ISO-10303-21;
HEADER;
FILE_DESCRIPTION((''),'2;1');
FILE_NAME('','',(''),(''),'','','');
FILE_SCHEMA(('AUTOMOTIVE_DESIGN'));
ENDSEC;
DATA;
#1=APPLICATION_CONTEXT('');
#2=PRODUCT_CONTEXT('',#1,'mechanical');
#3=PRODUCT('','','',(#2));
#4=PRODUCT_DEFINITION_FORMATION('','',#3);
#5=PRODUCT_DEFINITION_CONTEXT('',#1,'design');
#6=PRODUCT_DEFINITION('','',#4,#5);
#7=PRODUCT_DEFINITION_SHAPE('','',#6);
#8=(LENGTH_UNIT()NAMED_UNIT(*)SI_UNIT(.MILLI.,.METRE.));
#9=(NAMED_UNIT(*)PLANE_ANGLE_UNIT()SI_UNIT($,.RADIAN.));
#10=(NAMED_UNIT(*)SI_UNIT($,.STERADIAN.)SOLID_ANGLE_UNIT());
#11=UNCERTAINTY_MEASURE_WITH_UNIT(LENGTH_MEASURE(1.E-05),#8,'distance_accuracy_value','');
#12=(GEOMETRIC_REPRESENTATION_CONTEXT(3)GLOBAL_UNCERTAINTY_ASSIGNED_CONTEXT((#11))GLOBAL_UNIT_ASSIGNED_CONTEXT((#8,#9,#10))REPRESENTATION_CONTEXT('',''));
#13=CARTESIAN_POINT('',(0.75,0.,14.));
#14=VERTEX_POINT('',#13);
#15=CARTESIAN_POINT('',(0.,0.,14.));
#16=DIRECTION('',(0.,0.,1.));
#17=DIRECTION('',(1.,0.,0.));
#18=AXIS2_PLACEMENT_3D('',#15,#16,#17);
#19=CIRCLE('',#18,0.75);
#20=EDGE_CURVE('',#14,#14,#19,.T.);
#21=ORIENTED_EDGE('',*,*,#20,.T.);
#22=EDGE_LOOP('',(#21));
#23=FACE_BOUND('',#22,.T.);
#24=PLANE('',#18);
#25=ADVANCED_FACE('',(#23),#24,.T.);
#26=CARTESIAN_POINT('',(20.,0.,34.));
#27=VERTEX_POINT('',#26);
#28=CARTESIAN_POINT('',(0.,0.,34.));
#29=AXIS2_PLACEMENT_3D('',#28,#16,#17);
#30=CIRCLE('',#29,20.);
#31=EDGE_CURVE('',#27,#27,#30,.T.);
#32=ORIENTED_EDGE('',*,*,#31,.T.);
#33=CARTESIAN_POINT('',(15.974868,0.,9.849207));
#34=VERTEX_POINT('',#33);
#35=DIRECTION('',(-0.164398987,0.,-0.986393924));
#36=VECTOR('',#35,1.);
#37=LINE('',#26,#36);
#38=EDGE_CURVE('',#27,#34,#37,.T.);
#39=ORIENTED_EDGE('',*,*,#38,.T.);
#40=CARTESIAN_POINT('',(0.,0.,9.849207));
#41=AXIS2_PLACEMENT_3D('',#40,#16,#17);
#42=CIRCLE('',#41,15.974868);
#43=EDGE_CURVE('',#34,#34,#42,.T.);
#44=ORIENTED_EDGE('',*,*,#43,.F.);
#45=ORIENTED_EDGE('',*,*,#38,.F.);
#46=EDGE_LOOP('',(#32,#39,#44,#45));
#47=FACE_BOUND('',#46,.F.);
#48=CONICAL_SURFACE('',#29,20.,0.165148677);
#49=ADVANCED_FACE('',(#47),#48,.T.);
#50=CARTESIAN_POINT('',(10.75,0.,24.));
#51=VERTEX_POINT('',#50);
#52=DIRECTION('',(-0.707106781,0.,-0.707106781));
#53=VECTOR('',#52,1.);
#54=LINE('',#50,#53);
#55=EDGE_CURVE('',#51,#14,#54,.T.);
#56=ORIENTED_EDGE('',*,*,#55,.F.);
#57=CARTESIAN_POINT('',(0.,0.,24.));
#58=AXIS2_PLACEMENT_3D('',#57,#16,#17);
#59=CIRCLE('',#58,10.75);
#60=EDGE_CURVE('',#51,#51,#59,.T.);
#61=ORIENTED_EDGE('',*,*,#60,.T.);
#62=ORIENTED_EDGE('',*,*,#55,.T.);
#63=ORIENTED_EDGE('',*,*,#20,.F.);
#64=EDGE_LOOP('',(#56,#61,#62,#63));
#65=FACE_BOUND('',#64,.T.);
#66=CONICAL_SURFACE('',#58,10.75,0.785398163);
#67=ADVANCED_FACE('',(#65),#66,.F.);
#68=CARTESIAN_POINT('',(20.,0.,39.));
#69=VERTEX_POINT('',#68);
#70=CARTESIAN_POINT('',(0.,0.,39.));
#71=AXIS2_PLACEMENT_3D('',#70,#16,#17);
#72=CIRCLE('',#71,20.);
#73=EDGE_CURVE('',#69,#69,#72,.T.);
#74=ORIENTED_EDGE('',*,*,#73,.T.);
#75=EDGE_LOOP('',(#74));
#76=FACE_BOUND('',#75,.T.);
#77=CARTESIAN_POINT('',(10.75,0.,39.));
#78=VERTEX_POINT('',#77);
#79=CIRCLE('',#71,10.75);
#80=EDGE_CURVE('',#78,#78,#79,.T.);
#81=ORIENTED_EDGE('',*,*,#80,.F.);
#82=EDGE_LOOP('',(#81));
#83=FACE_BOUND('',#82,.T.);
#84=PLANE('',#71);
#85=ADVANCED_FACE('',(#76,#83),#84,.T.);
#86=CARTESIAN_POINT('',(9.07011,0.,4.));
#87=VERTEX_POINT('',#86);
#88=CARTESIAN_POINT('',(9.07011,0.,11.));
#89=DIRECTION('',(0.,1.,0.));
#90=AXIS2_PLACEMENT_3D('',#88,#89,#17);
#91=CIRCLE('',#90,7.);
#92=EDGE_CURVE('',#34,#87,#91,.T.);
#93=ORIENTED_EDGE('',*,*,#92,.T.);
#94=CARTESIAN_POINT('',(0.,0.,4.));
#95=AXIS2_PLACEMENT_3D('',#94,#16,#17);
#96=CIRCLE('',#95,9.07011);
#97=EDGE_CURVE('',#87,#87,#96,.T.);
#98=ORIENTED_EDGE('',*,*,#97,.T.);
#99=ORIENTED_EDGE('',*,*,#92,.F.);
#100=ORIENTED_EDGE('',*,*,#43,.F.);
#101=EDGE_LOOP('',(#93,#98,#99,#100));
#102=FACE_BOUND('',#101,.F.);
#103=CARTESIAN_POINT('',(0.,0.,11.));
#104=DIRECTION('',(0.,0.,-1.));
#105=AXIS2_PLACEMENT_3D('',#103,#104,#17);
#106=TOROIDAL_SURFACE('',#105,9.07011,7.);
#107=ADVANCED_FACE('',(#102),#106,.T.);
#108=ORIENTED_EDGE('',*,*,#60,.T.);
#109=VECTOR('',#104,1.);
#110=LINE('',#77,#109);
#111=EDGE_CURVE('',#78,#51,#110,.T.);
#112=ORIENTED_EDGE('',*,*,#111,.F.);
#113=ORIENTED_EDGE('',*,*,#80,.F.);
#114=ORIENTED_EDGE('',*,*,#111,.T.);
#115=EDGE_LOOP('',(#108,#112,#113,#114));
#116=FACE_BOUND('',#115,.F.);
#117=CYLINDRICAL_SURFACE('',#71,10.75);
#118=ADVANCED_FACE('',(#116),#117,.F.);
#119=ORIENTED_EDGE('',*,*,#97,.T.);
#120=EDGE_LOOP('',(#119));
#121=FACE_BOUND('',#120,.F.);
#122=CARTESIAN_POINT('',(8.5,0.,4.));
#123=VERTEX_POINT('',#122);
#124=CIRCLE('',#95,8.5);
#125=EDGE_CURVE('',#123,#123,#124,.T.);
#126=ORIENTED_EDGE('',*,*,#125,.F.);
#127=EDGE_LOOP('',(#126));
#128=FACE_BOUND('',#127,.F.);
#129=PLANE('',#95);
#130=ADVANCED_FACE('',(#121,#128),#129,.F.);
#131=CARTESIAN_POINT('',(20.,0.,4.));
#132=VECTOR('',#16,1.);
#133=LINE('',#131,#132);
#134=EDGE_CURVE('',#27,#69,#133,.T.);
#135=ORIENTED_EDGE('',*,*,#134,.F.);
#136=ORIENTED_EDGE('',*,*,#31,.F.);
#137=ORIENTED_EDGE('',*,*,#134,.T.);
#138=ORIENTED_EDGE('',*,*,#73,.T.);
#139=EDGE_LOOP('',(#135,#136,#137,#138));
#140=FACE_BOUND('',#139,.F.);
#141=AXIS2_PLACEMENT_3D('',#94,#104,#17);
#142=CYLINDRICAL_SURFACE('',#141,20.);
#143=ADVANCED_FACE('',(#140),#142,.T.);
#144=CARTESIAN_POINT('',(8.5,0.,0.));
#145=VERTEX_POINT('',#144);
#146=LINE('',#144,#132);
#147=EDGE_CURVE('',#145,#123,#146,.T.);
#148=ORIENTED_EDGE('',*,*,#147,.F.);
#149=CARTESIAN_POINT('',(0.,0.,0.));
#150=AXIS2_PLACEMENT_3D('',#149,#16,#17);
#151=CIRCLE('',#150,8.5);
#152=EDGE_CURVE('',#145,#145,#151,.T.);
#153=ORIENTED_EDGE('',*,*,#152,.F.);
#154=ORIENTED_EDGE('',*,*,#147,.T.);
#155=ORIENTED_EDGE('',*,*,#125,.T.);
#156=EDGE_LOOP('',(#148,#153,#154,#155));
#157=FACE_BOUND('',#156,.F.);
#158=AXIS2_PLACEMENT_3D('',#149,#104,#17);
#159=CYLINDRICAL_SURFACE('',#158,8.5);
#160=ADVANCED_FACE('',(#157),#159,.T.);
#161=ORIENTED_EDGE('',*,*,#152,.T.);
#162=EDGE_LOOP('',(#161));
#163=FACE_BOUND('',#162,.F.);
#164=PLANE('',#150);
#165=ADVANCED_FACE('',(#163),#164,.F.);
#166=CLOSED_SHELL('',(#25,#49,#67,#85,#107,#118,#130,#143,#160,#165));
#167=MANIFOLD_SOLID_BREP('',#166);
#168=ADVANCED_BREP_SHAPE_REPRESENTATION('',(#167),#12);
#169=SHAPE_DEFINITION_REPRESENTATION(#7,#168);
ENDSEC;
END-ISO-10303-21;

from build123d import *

# Parameters (mm, degrees)
F0_R     = 8.5
F1_DEPTH = 4
F2_R     = 20
F3_DEPTH = 35
F4_SIZE2 = 5
F4_SIZE  = 30
F5_R     = 7
F6_R     = 10.75
F7_DEPTH = 25
F8_SIZE  = 10


with BuildPart() as f1:
    # F0 (on Top) → F1 (new body)
    with BuildSketch(Plane.XY):
        Circle(F0_R)
    extrude(amount=F1_DEPTH)

    # F2 (on face) → F3 (join)
    with BuildSketch(Plane.XY.offset(4)):
        Circle(F2_R)
    extrude(amount=F3_DEPTH)

    # F4
    f4_edges = [f1.edges().sort_by_distance(p)[0] for p in [
        (-20, 0, 4),
    ]]
    f4_side = f1.faces().sort_by_distance((-20, 0, 21.5))[0]
    chamfer(f4_edges, length=F4_SIZE, length2=F4_SIZE2, reference=f4_side)

    # F5
    f5_edges = [f1.edges().sort_by_distance(p)[0] for p in [
        (-15, 0, 4),
    ]]
    fillet(f5_edges, radius=F5_R)

    # F6 (on face) → F7 (cut)
    with BuildSketch(Plane.XY.offset(39)):
        Circle(F6_R)
    extrude(amount=-F7_DEPTH, mode=Mode.SUBTRACT)

    # F8
    f8_edges = [f1.edges().sort_by_distance(p)[0] for p in [
        (-10.75, 0, 14),
    ]]
    chamfer(f8_edges, length=F8_SIZE)


solid = f1.part
